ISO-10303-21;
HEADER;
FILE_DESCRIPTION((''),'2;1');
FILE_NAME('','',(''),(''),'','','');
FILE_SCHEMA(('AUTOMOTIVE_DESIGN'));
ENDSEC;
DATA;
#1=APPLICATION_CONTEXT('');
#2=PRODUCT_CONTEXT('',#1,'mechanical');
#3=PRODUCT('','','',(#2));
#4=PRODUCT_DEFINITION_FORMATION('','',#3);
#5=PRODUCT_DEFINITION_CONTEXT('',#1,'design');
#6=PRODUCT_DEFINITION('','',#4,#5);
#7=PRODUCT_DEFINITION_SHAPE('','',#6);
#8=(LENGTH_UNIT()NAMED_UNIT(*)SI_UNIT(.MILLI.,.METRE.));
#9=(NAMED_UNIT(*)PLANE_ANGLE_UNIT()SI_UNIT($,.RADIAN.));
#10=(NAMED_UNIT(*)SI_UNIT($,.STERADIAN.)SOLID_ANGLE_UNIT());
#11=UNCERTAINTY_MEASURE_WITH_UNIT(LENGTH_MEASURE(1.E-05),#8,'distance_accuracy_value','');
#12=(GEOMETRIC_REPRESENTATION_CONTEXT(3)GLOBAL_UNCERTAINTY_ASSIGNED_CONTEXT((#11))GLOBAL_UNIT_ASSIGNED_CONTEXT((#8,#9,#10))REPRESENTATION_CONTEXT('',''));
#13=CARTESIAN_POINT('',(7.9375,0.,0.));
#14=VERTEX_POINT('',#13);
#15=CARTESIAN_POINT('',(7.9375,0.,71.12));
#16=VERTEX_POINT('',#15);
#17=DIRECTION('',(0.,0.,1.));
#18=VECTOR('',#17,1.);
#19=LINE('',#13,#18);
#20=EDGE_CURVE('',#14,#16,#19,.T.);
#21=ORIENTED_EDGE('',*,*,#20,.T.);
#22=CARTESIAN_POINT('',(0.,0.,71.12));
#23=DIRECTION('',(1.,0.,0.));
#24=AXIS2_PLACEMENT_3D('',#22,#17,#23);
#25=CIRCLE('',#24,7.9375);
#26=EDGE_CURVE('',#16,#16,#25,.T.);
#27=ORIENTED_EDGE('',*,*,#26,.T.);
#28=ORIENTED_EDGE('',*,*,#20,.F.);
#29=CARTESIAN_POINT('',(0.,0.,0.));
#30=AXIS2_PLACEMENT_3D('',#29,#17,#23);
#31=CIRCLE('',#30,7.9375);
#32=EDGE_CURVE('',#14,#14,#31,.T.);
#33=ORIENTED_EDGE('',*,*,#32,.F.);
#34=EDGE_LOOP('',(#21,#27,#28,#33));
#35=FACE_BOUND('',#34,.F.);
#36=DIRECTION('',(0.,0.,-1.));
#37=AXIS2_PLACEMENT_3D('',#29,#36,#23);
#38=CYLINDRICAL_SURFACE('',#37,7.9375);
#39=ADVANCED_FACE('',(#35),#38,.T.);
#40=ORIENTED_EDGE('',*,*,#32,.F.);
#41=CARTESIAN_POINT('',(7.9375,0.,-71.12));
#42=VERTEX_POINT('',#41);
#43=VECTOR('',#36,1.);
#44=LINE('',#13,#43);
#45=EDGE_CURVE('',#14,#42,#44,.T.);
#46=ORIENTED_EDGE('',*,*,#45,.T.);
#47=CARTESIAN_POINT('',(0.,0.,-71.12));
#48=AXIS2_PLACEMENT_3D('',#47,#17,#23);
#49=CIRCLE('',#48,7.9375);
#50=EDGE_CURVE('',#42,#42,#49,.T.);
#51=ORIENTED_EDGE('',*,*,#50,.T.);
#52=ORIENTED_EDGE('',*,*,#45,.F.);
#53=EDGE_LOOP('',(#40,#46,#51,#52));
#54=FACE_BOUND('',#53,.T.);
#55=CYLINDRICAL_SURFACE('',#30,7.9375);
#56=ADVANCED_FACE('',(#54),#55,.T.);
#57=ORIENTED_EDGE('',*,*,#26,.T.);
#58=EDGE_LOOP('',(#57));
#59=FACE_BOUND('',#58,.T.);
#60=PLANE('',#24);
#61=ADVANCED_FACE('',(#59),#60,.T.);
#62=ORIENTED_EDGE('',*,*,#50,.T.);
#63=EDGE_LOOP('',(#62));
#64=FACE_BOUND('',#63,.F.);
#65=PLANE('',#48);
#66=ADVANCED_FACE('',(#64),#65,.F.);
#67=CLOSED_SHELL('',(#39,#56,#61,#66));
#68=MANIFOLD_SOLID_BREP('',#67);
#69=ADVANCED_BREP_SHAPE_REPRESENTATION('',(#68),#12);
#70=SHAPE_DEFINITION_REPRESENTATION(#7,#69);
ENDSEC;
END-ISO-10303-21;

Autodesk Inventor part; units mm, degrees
ref_plane "YZ Plane" through (0, 0, 0) normal (1, 0, 0) x (0, 1, 0)
ref_plane "XZ Plane" through (0, 0, 0) normal (0, 1, 0) x (-1, 0, 0)
ref_plane "XY Plane" through (0, 0, 0) normal (0, 0, 1) x (1, 0, 0)
sketch "Sketch1" plane through (0, 0, 0) normal (0, 0, 1) x (1, 0, 0)
  circle A0 centre (0, 0) radius 7.9375
  dimension "d0" = 15.875
extrude "Extrusion1" add sketch "Sketch1" along normal mid plane 142.24
properties part number "steeleAxel-0_625" material "Steel, Mild"
